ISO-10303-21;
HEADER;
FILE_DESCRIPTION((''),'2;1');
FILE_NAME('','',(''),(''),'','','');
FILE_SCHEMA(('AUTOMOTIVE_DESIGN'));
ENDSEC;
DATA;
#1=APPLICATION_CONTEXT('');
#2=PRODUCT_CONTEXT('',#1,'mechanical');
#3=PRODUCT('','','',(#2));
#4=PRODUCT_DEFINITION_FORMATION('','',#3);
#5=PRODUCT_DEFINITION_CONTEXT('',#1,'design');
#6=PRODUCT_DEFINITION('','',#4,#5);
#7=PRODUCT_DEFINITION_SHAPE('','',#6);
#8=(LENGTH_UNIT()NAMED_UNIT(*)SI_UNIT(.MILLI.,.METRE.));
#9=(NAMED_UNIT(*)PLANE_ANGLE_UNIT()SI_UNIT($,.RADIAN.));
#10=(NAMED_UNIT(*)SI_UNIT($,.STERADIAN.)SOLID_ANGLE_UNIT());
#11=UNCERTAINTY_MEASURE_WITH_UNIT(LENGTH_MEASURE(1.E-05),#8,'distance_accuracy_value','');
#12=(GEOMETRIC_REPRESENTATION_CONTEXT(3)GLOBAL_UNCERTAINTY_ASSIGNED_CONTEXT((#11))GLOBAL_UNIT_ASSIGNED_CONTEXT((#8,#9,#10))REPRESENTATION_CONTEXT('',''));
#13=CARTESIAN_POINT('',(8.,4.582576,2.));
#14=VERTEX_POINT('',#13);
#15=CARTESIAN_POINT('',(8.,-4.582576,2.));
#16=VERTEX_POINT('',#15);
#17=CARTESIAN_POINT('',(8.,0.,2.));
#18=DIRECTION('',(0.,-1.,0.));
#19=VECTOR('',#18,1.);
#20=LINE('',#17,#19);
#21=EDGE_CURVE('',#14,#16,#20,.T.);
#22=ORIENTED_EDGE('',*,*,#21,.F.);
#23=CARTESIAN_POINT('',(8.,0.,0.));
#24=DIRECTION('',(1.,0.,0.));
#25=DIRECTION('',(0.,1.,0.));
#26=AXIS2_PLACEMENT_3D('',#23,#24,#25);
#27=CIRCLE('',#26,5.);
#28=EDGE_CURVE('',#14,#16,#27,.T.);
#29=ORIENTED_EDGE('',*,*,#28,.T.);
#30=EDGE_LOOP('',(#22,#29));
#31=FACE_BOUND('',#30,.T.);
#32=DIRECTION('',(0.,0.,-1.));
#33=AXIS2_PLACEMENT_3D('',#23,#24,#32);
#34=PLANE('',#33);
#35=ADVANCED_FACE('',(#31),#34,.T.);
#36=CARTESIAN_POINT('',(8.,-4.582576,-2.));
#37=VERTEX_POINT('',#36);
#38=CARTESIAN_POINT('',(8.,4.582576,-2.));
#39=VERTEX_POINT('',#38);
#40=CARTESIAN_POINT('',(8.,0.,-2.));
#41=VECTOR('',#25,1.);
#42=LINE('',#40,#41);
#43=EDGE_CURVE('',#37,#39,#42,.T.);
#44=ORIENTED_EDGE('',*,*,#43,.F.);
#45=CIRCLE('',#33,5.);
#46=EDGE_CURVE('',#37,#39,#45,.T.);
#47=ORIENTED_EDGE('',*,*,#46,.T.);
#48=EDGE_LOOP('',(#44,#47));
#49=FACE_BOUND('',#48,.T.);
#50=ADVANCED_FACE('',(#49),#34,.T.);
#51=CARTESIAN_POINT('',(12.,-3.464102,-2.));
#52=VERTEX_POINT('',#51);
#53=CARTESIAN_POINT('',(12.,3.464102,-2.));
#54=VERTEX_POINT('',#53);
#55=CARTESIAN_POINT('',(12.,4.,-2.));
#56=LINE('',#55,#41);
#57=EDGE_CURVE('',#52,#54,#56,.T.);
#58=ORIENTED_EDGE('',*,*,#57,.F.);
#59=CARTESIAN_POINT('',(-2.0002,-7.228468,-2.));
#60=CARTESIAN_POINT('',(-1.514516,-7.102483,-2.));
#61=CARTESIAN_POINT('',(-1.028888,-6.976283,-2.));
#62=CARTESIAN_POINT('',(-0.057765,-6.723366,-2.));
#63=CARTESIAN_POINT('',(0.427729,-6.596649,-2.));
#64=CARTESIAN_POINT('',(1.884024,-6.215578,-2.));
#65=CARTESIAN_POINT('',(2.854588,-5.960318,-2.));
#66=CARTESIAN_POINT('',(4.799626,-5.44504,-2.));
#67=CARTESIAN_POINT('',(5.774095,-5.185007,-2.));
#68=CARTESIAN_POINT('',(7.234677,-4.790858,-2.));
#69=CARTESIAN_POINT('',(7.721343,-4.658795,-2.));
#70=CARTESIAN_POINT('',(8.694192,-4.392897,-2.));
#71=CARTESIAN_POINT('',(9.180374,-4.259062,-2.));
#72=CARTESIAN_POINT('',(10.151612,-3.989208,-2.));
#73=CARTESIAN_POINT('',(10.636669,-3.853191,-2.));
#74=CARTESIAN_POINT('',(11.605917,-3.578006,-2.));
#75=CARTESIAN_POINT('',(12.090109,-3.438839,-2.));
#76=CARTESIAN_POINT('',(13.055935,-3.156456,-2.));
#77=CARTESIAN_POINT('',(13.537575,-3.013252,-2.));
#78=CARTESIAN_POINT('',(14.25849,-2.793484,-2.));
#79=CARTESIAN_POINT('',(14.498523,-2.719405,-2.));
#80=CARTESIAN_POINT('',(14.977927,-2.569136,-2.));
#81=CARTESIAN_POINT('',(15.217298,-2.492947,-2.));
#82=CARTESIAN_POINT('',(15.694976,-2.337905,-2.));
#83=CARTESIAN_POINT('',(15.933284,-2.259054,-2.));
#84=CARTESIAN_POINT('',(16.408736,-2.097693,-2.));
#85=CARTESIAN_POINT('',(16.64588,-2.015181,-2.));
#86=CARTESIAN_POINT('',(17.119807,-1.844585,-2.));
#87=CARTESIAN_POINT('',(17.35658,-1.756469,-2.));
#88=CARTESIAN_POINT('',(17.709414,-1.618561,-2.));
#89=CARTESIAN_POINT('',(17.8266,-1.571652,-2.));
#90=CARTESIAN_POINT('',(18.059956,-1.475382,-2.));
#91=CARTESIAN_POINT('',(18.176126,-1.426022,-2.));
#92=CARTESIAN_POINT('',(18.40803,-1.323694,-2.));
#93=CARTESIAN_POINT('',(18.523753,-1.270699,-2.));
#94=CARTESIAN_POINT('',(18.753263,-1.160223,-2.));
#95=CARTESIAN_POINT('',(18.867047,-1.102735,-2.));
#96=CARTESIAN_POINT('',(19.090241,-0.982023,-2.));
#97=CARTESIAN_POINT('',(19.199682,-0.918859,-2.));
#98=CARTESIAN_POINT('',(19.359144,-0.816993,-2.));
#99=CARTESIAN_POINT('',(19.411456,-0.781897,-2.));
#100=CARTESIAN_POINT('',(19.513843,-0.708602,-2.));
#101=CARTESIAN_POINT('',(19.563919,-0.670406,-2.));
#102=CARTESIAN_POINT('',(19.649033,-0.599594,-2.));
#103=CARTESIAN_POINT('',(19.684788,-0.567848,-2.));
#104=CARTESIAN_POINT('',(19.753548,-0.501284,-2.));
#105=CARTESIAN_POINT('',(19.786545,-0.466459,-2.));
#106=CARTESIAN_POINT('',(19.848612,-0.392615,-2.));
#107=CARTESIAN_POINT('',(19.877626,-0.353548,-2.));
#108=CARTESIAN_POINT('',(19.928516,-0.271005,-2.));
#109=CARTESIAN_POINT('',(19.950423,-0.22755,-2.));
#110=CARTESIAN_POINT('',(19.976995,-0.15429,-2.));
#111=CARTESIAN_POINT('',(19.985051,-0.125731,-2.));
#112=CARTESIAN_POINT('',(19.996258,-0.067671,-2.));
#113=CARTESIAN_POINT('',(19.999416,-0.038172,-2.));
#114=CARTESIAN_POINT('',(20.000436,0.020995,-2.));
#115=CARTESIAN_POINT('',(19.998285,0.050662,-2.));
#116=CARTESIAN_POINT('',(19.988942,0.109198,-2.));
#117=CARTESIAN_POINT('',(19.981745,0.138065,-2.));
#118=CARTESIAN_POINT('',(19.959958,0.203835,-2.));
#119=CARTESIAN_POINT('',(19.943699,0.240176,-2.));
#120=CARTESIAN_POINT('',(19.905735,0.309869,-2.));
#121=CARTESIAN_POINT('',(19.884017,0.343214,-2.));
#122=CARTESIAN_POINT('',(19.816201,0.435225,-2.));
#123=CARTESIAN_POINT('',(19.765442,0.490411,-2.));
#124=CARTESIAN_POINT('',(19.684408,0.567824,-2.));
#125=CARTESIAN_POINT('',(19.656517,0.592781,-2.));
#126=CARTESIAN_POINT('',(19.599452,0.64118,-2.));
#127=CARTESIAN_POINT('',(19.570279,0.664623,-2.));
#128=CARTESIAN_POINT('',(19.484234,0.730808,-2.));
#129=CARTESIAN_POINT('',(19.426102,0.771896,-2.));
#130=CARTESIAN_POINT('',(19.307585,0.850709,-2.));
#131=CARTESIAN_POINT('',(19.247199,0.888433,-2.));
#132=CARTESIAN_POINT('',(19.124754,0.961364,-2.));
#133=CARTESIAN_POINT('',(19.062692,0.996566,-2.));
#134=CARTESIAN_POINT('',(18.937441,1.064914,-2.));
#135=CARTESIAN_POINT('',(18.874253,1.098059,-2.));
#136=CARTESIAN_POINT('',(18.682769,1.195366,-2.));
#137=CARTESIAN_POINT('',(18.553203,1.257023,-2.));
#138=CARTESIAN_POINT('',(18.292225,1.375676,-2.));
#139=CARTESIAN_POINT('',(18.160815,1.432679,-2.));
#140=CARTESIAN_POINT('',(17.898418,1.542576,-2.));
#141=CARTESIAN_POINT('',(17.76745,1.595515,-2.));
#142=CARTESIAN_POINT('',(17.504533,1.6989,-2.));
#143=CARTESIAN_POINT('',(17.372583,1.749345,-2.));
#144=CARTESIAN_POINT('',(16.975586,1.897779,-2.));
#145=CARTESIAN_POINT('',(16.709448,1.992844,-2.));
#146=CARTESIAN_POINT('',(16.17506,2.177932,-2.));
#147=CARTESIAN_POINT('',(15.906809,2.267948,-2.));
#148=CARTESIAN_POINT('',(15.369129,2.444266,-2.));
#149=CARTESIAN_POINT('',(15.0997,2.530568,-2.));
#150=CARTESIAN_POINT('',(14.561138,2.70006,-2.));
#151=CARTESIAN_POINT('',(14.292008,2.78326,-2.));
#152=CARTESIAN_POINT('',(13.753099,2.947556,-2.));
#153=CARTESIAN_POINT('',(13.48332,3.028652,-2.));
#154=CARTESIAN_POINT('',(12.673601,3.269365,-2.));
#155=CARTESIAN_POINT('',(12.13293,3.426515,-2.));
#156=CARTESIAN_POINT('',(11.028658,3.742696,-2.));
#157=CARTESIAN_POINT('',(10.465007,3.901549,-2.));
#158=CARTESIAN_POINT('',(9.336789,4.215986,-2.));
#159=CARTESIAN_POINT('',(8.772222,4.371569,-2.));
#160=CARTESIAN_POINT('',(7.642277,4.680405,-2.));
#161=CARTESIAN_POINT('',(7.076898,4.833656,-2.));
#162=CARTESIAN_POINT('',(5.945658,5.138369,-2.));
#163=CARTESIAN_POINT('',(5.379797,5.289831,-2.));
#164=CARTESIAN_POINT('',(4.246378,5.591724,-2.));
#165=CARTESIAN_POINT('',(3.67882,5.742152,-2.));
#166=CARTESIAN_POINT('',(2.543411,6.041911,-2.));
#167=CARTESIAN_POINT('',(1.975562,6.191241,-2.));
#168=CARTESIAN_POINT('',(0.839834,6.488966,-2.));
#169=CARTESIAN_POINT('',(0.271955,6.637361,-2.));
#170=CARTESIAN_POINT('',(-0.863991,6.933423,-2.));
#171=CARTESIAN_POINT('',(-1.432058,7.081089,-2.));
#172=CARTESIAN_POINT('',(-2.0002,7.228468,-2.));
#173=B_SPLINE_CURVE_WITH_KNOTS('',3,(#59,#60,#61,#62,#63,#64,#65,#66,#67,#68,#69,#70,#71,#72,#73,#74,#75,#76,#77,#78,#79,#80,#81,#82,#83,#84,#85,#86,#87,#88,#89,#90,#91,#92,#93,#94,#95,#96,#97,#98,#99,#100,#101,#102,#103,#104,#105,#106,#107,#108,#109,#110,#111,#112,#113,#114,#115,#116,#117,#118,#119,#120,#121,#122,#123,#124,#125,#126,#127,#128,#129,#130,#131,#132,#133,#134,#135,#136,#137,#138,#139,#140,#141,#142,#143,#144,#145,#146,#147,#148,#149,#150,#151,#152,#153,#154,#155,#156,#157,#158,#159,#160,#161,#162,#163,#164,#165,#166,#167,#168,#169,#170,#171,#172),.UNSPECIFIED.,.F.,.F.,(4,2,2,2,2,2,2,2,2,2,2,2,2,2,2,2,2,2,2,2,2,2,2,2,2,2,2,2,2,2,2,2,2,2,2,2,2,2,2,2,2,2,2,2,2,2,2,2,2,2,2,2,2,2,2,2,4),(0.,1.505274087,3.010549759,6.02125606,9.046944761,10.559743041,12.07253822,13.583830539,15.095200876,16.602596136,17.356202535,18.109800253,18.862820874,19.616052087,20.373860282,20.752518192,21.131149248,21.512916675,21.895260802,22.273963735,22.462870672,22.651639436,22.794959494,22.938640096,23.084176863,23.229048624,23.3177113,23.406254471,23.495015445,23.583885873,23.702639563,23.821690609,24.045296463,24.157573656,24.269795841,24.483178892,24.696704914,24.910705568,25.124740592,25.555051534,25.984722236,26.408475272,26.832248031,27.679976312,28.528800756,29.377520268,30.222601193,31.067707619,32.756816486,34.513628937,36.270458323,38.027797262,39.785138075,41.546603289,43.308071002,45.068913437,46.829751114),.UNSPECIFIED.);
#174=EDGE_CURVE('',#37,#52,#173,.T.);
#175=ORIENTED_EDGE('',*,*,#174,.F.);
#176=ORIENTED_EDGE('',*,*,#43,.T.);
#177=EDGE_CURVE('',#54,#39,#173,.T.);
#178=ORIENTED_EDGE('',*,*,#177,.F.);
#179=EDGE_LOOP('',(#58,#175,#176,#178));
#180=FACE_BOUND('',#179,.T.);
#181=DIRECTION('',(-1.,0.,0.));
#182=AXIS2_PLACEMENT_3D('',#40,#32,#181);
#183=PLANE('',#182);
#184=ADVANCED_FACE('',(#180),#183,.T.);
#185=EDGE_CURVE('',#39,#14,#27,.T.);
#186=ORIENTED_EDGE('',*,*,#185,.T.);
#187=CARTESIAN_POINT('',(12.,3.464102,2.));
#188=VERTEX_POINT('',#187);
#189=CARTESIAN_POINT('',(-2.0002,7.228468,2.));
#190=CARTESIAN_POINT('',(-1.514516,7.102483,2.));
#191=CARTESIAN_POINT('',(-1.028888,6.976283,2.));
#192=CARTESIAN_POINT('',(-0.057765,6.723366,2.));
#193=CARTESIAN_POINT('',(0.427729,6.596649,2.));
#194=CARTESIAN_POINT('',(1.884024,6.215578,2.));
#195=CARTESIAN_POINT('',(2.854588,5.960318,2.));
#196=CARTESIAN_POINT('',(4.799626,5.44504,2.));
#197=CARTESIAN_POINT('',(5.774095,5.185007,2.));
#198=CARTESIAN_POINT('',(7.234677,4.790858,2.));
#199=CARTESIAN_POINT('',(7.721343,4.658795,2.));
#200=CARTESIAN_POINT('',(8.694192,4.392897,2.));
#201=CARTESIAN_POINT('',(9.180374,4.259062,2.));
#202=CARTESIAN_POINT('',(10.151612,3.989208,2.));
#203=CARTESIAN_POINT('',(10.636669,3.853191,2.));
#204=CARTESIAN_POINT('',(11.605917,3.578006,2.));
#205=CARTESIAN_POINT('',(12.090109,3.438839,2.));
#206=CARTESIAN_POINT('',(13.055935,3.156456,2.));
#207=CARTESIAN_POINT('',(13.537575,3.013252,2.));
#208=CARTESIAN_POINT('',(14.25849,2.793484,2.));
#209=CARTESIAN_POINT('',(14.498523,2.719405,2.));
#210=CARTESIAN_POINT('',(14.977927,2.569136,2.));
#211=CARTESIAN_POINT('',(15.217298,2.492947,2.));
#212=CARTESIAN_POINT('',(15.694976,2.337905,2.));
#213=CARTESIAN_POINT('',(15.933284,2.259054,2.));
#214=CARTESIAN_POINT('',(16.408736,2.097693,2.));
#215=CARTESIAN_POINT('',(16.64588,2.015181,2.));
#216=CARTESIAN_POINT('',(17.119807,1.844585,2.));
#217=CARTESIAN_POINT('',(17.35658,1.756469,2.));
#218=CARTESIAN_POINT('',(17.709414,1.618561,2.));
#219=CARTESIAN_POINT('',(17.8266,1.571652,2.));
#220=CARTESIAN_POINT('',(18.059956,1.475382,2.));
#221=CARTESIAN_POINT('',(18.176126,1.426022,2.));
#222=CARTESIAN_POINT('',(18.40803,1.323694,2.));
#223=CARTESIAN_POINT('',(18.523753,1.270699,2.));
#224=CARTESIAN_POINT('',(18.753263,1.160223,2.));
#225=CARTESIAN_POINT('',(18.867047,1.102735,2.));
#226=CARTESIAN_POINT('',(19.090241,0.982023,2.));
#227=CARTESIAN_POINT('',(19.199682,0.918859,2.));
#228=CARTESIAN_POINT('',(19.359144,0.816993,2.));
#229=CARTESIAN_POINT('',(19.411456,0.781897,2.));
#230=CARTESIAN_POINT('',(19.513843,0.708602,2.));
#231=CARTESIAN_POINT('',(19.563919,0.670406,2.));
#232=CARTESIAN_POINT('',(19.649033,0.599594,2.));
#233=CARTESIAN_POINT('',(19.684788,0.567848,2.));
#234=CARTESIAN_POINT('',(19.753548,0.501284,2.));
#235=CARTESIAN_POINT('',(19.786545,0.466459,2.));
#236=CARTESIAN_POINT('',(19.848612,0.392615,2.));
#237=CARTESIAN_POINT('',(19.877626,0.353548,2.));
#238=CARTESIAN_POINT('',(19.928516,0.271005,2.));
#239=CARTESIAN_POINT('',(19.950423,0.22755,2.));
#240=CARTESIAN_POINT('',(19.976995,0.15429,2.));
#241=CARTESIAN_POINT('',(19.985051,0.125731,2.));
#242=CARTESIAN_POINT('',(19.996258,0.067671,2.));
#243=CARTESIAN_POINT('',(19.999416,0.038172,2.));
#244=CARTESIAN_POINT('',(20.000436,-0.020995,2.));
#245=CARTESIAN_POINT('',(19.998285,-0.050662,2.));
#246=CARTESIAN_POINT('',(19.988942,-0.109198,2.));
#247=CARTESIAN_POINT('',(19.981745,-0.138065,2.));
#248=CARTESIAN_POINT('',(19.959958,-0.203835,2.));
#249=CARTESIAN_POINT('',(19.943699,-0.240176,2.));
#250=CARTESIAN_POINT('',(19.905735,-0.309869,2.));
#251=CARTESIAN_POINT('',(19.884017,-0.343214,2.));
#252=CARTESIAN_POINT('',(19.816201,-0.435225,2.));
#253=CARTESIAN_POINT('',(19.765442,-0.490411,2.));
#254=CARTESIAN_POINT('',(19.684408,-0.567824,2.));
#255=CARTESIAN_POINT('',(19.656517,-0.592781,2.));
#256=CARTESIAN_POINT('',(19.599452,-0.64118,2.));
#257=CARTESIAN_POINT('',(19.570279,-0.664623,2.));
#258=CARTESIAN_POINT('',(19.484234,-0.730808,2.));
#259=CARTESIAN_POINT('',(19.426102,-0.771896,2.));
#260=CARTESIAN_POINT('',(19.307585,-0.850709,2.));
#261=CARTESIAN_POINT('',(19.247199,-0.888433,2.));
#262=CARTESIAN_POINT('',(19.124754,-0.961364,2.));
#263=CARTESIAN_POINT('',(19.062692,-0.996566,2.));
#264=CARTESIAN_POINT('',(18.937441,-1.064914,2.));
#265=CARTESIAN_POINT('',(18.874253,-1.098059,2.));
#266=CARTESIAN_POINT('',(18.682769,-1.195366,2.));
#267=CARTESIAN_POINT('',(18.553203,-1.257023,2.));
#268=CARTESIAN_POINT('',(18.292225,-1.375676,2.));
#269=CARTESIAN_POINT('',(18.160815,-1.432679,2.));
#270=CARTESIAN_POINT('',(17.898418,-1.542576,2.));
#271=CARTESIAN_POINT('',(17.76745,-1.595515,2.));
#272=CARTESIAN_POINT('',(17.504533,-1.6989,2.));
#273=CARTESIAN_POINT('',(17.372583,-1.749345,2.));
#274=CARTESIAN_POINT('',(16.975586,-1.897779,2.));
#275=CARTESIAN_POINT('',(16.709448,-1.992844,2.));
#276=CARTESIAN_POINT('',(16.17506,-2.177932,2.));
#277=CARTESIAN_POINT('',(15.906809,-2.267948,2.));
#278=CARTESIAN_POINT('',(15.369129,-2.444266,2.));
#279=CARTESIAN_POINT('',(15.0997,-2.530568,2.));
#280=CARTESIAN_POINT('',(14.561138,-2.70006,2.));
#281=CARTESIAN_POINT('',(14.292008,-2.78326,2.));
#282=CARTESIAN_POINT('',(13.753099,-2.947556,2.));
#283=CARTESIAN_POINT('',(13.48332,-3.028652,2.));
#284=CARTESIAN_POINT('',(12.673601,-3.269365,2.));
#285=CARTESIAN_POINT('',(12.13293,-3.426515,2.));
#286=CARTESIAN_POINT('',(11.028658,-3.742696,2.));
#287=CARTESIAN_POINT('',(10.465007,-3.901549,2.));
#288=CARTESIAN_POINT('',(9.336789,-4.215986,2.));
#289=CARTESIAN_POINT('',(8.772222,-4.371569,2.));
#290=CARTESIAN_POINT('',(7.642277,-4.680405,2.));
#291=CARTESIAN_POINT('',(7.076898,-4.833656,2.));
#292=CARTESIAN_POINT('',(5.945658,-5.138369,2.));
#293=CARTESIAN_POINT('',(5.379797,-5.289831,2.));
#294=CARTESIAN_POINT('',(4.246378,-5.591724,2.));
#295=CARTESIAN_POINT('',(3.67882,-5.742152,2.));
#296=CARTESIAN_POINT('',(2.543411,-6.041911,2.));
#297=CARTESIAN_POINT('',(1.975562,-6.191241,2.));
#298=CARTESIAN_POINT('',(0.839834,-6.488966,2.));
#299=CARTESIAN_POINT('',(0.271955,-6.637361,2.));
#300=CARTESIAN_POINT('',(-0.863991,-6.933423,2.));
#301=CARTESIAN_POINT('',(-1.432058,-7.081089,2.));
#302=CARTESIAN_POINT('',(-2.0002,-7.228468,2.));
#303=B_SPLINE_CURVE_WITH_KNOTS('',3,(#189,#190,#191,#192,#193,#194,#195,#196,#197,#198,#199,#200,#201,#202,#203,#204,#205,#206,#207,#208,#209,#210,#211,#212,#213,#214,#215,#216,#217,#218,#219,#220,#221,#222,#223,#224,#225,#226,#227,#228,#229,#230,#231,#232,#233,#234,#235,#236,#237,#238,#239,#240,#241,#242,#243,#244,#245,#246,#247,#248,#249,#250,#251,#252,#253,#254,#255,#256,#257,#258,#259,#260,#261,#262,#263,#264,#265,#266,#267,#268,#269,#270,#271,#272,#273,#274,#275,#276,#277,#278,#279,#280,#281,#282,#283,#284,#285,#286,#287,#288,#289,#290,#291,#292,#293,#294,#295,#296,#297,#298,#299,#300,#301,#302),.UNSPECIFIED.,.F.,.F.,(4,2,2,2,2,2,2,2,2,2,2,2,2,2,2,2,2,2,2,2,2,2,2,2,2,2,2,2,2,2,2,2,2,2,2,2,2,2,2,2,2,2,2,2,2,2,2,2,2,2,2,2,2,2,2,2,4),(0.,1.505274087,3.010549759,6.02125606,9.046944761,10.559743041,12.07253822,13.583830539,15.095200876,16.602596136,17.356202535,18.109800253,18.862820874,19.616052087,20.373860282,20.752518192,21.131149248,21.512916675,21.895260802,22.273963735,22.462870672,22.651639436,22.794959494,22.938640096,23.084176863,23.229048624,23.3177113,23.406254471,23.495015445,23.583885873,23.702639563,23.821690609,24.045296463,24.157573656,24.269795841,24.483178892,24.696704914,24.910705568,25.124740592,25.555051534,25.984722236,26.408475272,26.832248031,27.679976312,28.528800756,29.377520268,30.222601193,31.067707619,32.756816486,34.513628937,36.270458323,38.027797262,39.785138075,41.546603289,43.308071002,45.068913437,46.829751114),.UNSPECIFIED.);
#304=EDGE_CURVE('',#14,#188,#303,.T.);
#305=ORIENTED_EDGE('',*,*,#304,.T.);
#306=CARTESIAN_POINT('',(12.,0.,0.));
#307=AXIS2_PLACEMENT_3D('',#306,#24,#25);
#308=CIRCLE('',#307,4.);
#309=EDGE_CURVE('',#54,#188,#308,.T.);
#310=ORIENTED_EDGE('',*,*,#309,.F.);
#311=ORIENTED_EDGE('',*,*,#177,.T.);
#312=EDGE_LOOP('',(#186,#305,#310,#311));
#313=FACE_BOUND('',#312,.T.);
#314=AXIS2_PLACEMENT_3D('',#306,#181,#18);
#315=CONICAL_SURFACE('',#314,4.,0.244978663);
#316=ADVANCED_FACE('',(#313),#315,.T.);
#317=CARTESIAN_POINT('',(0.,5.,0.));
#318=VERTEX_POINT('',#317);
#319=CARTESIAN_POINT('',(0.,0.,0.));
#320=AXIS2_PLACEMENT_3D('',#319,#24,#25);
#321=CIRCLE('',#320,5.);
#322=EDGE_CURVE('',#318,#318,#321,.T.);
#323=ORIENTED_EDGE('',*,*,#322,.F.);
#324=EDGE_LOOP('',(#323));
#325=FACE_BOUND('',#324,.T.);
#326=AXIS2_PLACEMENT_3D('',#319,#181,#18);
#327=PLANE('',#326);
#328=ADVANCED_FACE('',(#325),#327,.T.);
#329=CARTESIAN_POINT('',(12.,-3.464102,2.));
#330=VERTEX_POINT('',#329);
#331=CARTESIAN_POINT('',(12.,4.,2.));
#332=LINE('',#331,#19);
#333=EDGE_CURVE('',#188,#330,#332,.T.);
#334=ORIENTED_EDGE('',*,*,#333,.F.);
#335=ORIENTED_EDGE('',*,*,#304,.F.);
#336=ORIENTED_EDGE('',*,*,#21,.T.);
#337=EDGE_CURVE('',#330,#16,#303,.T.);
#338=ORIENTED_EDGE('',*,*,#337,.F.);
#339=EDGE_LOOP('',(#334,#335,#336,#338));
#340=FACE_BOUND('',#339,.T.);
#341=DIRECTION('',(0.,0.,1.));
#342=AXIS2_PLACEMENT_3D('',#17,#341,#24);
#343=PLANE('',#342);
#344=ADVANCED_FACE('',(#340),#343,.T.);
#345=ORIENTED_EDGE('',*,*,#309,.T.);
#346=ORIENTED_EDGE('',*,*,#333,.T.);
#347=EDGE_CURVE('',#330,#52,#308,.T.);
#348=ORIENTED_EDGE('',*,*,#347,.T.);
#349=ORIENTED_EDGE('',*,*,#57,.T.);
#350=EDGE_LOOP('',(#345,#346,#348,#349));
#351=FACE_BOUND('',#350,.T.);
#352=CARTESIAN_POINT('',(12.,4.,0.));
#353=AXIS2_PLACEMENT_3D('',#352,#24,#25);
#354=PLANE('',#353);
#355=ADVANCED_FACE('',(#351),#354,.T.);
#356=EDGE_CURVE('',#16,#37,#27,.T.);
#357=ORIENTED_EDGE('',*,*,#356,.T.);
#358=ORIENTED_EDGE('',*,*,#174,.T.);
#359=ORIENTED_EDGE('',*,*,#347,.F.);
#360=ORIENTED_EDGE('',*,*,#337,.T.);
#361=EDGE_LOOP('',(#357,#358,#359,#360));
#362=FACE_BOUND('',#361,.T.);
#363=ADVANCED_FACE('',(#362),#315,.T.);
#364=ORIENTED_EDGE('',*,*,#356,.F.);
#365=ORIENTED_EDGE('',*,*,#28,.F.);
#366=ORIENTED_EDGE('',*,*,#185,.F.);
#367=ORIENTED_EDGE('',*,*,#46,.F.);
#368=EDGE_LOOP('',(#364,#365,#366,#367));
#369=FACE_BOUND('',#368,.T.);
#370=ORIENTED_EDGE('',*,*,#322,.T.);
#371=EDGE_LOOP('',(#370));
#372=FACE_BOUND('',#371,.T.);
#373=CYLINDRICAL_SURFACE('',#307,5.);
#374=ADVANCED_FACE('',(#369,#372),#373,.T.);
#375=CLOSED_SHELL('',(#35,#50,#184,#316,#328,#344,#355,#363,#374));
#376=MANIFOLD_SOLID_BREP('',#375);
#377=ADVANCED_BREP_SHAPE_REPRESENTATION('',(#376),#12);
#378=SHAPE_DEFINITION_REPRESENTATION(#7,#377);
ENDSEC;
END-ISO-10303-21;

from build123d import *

# Parameters (mm, degrees)
CUT_EXTRUDE1_DEPTH = 4


with BuildPart() as part:
    # Sketch1 → Revolve1 (revolve)
    with BuildSketch(Plane.XY):
        Polygon((0, 0), (0, 5), (8, 5), (12, 4), (12, 0), align=None)
    revolve(axis=Axis((12, 0, 0), (-1, 0, 0)))

    # Sketch2 → Cut-Extrude1 (cut)
    with BuildSketch(Plane(origin=(12, 0, 0), x_dir=(0, 0, -1), z_dir=(1, 0, 0))):
        with BuildLine():
            Line((-2, -3.464101615), (-2, 3.464101615))
            ThreePointArc((-2, 3.464101615), (-4, 0), (-2, -3.464101615))
        make_face()
        with BuildLine():
            Line((-2, 3.464101615), (-2, 4.582575695))
            ThreePointArc((-2, 4.582575695), (-5, 0), (-2, -4.582575695))
            Line((-2, -4.582575695), (-2, -3.464101615))
            ThreePointArc((-2, -3.464101615), (-4, 0), (-2, 3.464101615))
        make_face()
        with BuildLine():
            ThreePointArc((4, 0), (3.464101615, 2), (2, 3.464101615))
            Line((2, 3.464101615), (2, -3.464101615))
            ThreePointArc((2, -3.464101615), (3.464101615, -2), (4, 0))
        make_face()
        with BuildLine():
            ThreePointArc((5, 0), (4.183300133, 2.738612788), (2, 4.582575695))
            Line((2, 4.582575695), (2, 3.464101615))
            ThreePointArc((2, 3.464101615), (3.464101615, 2), (4, 0))
            ThreePointArc((4, 0), (3.464101615, -2), (2, -3.464101615))
            Line((2, -3.464101615), (2, -4.582575695))
            ThreePointArc((2, -4.582575695), (4.183300133, -2.738612788), (5, 0))
        make_face()
    extrude(amount=-CUT_EXTRUDE1_DEPTH, mode=Mode.SUBTRACT)


solid = part.part
